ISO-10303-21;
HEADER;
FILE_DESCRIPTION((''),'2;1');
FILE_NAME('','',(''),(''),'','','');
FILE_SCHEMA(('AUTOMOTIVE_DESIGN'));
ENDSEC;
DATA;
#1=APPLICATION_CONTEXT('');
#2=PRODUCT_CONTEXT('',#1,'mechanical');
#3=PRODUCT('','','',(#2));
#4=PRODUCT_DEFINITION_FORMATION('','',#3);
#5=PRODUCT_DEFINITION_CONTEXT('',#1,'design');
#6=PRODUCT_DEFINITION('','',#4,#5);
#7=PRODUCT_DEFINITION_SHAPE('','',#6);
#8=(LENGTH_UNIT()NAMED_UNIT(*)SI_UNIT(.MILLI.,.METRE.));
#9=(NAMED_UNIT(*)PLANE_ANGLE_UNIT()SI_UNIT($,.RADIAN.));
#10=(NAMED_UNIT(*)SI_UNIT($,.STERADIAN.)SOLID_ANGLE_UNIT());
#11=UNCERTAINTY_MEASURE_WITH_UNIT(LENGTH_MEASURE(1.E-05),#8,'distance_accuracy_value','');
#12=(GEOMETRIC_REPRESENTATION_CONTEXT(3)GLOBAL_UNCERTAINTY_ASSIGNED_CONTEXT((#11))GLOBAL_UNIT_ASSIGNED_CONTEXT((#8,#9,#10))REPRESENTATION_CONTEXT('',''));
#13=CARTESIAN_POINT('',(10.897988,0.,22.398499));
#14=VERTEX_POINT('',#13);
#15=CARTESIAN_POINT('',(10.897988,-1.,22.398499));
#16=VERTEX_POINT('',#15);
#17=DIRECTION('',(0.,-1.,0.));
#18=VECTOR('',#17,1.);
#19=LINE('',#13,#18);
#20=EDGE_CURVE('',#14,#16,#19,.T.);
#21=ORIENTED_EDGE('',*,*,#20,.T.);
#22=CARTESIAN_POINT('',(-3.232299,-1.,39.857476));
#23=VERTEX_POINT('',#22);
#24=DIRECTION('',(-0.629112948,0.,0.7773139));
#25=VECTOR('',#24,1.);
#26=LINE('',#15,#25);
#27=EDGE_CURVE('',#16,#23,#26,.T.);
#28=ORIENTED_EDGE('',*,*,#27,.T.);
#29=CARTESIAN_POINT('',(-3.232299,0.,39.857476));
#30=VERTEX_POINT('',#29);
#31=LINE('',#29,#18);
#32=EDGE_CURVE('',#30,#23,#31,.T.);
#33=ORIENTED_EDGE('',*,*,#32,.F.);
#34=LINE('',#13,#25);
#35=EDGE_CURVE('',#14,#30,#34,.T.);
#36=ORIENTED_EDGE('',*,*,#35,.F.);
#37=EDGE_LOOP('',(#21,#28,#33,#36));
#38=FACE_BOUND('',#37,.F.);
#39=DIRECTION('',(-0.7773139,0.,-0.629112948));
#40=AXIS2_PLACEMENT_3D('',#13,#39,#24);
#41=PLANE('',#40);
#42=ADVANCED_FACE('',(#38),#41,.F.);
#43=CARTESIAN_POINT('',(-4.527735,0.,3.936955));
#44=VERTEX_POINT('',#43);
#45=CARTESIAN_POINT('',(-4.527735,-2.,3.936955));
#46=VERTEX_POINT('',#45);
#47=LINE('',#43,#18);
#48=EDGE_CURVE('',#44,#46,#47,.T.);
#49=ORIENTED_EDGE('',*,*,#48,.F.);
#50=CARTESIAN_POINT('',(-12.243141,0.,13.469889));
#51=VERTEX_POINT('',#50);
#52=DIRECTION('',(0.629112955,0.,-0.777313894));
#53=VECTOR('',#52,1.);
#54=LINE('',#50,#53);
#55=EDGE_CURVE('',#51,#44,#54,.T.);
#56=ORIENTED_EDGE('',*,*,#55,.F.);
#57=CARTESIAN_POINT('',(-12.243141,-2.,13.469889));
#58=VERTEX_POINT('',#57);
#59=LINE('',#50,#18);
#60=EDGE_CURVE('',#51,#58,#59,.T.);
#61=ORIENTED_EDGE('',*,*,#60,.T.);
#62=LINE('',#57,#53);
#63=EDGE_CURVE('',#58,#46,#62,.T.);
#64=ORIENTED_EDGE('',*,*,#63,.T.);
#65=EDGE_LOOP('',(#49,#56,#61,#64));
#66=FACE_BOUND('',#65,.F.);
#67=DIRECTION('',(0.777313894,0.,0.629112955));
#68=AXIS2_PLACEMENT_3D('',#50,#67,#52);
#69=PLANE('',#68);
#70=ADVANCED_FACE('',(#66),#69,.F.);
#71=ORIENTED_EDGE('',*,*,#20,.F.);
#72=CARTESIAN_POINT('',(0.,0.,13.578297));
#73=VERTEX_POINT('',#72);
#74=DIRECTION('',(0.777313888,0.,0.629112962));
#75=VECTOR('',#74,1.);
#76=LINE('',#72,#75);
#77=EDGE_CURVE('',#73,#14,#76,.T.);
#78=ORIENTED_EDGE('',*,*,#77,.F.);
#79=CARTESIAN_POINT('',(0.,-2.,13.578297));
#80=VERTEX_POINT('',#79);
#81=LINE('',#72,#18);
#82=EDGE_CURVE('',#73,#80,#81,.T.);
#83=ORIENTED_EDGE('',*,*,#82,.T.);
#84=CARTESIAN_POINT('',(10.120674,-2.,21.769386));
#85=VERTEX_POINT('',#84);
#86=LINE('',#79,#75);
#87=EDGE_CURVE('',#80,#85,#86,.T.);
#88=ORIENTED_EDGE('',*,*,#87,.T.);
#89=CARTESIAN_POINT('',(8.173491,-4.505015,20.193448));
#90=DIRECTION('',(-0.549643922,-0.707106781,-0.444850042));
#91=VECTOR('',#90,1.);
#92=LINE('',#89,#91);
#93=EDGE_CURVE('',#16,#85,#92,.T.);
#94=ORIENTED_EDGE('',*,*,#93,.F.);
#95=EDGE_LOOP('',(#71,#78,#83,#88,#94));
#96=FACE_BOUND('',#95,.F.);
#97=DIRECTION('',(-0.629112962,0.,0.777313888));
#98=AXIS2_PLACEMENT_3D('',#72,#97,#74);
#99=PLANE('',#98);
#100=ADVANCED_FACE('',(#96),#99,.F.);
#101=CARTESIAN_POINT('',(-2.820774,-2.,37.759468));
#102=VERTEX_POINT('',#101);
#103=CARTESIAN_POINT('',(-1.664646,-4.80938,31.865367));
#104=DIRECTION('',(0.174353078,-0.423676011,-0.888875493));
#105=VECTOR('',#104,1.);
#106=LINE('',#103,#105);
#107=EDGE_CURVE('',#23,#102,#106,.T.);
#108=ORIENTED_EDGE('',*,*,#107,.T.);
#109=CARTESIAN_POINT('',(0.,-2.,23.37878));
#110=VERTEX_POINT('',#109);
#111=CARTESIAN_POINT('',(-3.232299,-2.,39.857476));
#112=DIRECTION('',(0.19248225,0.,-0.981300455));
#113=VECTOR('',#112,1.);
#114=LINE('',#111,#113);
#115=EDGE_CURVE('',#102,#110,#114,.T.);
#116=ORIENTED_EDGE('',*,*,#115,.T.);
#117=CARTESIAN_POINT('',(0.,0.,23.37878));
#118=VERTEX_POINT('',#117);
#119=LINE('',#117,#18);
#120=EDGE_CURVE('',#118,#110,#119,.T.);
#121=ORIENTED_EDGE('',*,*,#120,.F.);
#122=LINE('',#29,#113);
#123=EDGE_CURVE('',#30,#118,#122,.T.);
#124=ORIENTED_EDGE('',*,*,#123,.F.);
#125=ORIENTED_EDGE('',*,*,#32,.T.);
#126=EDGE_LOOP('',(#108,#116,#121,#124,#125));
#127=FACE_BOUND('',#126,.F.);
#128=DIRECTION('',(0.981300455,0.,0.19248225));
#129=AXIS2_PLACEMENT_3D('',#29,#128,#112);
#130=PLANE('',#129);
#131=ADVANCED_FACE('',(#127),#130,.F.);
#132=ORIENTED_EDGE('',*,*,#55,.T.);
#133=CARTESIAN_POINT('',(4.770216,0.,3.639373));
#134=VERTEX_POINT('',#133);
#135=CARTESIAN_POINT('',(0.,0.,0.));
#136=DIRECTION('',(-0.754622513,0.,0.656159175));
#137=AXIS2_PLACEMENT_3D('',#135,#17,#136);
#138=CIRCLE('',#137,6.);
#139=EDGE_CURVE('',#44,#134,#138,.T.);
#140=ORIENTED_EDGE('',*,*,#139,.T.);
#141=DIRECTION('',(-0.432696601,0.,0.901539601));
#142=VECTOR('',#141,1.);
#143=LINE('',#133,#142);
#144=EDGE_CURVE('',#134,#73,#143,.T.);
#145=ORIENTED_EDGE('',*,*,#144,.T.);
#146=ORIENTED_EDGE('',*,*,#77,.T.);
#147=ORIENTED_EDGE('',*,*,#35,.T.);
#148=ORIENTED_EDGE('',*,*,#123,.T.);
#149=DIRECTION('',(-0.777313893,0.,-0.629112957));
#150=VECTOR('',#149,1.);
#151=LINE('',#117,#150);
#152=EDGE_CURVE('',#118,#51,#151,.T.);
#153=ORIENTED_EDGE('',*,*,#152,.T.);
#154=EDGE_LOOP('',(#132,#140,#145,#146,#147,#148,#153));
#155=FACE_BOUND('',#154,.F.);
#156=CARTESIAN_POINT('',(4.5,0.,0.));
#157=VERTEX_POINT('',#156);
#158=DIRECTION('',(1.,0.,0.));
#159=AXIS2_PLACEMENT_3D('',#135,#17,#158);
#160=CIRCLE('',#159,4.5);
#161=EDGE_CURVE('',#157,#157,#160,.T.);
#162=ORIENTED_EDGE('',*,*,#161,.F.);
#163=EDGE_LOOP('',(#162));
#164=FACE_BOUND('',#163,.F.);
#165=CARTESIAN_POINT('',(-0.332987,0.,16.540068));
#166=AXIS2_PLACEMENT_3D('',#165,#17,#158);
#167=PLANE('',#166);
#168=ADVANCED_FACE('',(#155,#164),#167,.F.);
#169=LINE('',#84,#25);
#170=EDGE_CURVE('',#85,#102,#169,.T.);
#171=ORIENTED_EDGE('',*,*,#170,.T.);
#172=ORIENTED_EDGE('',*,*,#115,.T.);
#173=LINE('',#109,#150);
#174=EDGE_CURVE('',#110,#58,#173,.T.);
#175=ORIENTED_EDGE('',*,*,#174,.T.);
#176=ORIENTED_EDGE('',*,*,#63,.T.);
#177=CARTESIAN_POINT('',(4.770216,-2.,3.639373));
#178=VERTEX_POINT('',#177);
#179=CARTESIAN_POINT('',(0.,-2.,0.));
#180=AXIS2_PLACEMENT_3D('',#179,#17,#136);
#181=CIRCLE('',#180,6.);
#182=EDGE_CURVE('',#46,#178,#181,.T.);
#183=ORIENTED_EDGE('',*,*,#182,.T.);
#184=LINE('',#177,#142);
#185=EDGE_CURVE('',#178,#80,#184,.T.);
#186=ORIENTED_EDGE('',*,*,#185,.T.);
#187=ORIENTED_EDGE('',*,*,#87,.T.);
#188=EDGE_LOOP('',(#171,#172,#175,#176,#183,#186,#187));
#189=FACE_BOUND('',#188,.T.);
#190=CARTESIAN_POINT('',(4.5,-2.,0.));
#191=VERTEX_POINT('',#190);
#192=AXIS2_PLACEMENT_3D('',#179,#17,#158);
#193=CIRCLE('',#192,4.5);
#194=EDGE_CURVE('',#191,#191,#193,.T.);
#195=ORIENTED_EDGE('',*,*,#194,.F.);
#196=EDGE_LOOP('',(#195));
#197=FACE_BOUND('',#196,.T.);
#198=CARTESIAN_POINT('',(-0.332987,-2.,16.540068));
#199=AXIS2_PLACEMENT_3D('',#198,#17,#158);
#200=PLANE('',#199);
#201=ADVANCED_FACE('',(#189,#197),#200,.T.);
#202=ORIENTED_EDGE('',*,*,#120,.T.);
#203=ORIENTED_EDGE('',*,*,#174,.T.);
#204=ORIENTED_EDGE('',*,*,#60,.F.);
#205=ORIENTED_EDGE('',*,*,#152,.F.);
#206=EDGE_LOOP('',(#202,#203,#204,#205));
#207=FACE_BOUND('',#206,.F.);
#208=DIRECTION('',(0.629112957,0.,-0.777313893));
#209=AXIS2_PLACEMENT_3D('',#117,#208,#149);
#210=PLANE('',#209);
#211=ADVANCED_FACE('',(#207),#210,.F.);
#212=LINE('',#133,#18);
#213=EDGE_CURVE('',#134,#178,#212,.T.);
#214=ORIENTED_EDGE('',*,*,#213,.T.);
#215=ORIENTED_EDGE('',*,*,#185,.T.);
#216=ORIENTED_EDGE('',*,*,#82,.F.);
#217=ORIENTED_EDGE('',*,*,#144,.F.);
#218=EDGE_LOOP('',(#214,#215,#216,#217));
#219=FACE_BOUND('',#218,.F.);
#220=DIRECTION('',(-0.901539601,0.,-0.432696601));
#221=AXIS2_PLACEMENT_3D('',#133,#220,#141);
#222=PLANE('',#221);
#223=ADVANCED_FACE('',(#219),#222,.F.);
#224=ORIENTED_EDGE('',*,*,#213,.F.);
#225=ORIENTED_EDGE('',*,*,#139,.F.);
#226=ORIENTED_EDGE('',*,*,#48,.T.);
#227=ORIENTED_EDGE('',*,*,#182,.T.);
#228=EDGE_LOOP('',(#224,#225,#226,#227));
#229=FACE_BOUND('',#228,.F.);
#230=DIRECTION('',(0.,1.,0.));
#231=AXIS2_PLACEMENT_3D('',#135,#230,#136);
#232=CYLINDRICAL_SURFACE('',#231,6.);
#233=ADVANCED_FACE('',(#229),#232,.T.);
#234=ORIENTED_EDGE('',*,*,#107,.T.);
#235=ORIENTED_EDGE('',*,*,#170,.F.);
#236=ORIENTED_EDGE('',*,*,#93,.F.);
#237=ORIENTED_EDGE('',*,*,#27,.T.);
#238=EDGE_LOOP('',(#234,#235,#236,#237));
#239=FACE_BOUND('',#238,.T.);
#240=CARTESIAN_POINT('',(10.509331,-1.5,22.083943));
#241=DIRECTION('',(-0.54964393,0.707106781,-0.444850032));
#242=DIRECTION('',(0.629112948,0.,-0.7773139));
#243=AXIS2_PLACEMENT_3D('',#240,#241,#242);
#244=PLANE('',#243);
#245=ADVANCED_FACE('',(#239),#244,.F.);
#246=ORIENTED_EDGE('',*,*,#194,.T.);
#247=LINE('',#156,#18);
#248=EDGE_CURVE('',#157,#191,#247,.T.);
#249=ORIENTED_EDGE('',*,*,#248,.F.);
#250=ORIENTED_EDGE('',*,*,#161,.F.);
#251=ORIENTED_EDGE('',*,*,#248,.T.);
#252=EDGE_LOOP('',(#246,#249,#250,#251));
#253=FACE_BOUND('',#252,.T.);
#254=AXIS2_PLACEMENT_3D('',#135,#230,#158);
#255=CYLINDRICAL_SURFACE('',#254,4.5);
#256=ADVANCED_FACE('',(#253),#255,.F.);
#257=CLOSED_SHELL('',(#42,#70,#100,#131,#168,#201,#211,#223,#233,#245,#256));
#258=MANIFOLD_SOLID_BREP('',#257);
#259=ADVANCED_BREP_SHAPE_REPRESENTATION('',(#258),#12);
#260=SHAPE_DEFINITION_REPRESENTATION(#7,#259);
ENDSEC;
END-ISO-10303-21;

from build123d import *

# Parameters (mm, degrees)
F0_R     = 4.5
F1_DEPTH = 2
F2_SIZE  = 1


with BuildPart() as f1:
    # F0 (on Front) → F1 (new body)
    with BuildSketch(Plane.XZ):
        with BuildLine():
            Line((-12.243141, 13.469889), (-4.527735, 3.936955))
            ThreePointArc((-4.527735, 3.936955), (-0.191932, -5.996929), (4.770216, 3.639373))
            Line((4.770216, 3.639373), (0, 13.578297))
            Line((0, 13.578297), (10.897988, 22.398499))
            Line((10.897988, 22.398499), (-3.232299, 39.857476))
            Line((-3.232299, 39.857476), (0, 23.37878))
            Line((0, 23.37878), (-12.243141, 13.469889))
        make_face()
        Circle(F0_R, mode=Mode.SUBTRACT)
    extrude(amount=F1_DEPTH)

    # F2
    f2_edges = [f1.edges().sort_by_distance(p)[0] for p in [
        (3.832845, -2, 31.127988),
    ]]
    chamfer(f2_edges, length=F2_SIZE)


solid = f1.part
